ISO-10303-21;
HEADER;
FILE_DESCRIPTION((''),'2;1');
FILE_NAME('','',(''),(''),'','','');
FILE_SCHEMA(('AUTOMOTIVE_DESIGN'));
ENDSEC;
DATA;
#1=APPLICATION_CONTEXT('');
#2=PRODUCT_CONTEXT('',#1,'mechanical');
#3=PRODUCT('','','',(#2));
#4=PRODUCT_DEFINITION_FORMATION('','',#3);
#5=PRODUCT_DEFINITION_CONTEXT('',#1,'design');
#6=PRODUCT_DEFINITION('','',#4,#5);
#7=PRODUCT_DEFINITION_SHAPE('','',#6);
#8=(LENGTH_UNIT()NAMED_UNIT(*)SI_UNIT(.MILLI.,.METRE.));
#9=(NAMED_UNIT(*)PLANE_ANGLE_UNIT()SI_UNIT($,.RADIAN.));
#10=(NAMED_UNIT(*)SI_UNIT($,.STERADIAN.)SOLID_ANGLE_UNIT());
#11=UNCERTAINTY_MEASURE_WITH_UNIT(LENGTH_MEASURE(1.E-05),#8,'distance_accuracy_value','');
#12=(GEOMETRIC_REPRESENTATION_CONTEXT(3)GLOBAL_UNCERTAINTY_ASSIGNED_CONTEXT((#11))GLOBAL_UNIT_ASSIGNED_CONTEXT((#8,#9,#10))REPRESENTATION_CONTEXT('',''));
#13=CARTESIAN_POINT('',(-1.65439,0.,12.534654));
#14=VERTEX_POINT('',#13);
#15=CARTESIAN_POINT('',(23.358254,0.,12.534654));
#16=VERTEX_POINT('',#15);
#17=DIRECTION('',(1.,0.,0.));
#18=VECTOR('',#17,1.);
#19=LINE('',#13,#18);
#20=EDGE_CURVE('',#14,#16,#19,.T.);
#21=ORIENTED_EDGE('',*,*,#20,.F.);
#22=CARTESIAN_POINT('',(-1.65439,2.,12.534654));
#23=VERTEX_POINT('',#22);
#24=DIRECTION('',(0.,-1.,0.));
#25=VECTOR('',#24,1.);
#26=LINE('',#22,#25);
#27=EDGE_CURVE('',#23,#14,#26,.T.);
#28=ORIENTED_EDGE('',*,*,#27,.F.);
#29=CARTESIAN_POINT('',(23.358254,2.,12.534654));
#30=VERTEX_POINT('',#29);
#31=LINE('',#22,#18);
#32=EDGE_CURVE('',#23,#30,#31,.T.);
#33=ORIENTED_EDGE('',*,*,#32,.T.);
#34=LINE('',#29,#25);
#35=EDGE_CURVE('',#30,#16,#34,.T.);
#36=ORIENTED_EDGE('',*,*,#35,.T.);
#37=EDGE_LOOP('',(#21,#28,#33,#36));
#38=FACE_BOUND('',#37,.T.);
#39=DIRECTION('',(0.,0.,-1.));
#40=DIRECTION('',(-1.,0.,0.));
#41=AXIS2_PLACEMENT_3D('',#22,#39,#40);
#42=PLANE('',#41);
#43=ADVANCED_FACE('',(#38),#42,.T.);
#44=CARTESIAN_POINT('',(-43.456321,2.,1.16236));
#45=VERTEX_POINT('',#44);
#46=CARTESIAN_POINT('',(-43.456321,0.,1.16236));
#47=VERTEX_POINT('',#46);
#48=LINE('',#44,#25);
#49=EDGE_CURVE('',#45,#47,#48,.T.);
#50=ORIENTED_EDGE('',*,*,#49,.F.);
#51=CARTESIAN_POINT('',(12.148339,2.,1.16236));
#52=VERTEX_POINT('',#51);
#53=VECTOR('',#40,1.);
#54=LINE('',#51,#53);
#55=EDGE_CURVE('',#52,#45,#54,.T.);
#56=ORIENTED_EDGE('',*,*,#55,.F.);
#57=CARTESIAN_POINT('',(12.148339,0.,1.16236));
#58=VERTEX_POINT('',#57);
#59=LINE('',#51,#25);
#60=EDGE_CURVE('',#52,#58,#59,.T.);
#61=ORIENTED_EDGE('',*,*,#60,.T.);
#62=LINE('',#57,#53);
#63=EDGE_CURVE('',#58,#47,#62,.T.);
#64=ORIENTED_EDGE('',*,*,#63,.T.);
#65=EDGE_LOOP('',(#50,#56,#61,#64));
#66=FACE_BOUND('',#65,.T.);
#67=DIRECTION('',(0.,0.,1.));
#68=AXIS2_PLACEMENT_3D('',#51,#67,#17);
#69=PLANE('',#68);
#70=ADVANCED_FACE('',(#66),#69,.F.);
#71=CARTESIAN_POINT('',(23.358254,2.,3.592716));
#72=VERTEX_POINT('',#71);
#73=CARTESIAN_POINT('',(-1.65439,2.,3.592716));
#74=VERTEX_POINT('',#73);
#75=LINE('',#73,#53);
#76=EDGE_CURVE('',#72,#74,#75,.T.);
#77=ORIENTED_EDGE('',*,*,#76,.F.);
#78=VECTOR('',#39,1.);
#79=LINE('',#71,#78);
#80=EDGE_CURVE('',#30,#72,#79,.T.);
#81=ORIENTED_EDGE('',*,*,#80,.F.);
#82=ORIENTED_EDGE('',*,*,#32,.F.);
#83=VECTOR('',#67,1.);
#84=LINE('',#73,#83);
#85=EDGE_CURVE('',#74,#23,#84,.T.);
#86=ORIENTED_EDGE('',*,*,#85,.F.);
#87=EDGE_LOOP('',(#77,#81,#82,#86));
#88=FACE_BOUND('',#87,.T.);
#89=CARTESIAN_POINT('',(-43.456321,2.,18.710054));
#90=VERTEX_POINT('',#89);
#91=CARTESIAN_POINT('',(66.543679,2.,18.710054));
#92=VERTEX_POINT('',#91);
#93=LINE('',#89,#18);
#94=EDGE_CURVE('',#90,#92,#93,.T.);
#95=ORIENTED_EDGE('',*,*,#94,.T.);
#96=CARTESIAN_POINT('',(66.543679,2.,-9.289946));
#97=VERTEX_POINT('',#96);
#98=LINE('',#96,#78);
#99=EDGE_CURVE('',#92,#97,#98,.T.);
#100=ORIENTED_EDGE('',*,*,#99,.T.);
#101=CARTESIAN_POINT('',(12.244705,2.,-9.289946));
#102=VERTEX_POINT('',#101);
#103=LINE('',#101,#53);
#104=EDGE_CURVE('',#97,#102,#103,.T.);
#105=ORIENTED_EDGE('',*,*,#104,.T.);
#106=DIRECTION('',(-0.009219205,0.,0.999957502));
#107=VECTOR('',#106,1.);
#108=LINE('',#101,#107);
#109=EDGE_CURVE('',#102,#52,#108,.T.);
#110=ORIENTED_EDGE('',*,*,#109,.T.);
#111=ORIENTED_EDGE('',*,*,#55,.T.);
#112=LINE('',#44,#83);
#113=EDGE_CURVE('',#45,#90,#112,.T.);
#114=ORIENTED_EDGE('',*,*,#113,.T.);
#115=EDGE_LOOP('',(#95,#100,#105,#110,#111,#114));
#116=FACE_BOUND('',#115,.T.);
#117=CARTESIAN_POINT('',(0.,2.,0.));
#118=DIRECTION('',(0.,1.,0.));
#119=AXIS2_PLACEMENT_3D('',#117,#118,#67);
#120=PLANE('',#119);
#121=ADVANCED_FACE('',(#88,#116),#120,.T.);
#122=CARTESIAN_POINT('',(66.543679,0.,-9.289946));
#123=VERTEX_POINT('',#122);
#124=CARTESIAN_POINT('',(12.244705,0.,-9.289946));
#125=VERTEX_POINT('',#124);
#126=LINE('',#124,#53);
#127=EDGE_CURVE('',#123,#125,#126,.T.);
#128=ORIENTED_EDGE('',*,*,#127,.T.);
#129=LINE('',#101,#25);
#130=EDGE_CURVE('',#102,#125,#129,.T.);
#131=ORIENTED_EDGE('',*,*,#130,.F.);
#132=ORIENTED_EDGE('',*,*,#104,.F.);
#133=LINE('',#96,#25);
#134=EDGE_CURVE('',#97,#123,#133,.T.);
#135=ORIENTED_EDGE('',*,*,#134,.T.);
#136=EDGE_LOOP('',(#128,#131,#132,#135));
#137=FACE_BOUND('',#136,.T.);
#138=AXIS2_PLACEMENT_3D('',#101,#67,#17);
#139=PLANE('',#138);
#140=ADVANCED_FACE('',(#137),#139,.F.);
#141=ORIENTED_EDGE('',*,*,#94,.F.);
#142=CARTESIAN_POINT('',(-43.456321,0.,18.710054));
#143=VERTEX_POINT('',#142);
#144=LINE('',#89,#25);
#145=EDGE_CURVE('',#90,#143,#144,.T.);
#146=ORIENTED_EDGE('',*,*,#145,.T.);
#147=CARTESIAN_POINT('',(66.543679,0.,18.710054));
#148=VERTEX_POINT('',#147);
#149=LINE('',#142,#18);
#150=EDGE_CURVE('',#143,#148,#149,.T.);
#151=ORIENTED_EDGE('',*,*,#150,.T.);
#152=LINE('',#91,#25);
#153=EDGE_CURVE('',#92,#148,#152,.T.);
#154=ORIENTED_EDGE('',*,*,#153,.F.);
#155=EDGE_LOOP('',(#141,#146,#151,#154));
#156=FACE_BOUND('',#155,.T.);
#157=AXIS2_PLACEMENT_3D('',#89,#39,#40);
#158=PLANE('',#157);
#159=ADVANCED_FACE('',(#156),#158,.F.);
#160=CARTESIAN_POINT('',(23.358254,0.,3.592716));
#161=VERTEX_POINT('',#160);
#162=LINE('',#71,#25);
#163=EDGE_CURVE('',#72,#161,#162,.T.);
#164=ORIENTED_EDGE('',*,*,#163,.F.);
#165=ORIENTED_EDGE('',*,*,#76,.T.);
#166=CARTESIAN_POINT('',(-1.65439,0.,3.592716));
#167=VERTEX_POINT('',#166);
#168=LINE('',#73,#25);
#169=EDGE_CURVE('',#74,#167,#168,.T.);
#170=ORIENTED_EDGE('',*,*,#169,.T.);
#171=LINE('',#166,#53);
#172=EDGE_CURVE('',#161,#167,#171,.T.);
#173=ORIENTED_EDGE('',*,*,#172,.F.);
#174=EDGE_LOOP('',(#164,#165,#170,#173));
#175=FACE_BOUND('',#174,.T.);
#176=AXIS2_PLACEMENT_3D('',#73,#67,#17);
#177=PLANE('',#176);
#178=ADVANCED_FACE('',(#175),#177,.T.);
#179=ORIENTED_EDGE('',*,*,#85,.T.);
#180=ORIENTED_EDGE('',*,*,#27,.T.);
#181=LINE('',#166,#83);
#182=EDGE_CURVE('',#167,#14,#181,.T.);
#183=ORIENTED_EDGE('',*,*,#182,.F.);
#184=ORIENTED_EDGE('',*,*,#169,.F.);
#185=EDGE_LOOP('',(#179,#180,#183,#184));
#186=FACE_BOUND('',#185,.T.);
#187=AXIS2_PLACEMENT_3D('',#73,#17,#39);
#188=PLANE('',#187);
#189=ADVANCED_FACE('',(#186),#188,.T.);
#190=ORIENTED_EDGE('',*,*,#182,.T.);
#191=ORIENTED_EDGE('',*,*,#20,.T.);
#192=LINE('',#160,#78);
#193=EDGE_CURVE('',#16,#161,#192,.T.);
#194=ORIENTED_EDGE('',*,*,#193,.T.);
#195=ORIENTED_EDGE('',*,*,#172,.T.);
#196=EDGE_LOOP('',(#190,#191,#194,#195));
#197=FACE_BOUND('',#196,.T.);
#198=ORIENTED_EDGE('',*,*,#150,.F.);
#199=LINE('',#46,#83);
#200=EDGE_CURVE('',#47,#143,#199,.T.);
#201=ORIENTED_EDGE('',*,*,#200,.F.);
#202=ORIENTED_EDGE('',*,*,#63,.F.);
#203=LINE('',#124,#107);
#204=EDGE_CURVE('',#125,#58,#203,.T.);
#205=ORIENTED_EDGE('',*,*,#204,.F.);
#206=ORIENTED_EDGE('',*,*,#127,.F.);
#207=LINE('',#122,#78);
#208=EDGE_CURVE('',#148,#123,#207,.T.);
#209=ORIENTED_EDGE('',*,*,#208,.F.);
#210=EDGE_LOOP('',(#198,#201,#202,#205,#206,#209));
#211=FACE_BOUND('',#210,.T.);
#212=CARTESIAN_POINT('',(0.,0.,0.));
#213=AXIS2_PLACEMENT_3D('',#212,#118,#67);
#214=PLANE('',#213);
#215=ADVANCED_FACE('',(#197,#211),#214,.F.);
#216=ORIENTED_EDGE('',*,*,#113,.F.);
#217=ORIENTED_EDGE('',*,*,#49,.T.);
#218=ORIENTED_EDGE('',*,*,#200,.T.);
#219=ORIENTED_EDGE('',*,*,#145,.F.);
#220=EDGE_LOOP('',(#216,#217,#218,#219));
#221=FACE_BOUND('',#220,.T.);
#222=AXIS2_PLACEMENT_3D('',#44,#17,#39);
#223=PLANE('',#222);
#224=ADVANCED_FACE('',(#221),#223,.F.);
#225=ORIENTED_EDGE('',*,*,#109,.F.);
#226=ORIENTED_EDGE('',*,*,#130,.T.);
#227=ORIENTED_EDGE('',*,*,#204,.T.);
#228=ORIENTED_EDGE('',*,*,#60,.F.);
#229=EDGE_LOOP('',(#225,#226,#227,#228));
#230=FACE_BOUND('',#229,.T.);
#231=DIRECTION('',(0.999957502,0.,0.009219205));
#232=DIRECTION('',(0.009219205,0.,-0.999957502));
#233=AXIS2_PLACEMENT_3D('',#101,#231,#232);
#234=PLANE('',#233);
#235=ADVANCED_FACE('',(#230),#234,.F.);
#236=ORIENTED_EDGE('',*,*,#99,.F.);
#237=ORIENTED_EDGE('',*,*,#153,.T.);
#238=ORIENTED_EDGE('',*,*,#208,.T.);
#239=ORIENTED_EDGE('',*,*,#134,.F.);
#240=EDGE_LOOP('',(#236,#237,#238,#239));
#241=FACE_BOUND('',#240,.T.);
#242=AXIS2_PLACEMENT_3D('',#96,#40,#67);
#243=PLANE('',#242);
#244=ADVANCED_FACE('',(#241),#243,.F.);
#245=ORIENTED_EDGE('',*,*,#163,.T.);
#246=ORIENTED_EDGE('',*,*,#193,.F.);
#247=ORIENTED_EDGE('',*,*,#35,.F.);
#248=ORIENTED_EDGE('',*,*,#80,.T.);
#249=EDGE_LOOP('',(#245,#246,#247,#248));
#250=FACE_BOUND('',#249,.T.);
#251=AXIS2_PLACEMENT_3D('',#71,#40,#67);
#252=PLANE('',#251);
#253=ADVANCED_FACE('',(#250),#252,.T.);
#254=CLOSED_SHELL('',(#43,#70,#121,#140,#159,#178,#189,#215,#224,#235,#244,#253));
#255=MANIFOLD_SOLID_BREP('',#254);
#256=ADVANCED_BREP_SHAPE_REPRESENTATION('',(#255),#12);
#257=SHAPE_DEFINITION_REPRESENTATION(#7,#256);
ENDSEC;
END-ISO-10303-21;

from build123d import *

# Parameters (mm, degrees)
SKETCH1_W           = 25.012643909
SKETCH1_H           = 8.941938647
BOSS_EXTRUDE1_DEPTH = 2


with BuildPart() as part:
    # Sketch1 → Boss-Extrude1 (new body)
    with BuildSketch(Plane(origin=(0, 0, 0), x_dir=(1, 0, 0), z_dir=(0, 1, 0))):
        Polygon((12.244705421, 9.289945609), (66.543678684, 9.289945609), (66.543678684, -18.710054391), (-43.456321316, -18.710054391), (-43.456321316, -1.162360163), (12.148339373, -1.162360163), align=None)
        with Locations((10.851931882, -8.063685007)):
            Rectangle(SKETCH1_W, SKETCH1_H, mode=Mode.SUBTRACT)
    extrude(amount=BOSS_EXTRUDE1_DEPTH)


solid = part.part
